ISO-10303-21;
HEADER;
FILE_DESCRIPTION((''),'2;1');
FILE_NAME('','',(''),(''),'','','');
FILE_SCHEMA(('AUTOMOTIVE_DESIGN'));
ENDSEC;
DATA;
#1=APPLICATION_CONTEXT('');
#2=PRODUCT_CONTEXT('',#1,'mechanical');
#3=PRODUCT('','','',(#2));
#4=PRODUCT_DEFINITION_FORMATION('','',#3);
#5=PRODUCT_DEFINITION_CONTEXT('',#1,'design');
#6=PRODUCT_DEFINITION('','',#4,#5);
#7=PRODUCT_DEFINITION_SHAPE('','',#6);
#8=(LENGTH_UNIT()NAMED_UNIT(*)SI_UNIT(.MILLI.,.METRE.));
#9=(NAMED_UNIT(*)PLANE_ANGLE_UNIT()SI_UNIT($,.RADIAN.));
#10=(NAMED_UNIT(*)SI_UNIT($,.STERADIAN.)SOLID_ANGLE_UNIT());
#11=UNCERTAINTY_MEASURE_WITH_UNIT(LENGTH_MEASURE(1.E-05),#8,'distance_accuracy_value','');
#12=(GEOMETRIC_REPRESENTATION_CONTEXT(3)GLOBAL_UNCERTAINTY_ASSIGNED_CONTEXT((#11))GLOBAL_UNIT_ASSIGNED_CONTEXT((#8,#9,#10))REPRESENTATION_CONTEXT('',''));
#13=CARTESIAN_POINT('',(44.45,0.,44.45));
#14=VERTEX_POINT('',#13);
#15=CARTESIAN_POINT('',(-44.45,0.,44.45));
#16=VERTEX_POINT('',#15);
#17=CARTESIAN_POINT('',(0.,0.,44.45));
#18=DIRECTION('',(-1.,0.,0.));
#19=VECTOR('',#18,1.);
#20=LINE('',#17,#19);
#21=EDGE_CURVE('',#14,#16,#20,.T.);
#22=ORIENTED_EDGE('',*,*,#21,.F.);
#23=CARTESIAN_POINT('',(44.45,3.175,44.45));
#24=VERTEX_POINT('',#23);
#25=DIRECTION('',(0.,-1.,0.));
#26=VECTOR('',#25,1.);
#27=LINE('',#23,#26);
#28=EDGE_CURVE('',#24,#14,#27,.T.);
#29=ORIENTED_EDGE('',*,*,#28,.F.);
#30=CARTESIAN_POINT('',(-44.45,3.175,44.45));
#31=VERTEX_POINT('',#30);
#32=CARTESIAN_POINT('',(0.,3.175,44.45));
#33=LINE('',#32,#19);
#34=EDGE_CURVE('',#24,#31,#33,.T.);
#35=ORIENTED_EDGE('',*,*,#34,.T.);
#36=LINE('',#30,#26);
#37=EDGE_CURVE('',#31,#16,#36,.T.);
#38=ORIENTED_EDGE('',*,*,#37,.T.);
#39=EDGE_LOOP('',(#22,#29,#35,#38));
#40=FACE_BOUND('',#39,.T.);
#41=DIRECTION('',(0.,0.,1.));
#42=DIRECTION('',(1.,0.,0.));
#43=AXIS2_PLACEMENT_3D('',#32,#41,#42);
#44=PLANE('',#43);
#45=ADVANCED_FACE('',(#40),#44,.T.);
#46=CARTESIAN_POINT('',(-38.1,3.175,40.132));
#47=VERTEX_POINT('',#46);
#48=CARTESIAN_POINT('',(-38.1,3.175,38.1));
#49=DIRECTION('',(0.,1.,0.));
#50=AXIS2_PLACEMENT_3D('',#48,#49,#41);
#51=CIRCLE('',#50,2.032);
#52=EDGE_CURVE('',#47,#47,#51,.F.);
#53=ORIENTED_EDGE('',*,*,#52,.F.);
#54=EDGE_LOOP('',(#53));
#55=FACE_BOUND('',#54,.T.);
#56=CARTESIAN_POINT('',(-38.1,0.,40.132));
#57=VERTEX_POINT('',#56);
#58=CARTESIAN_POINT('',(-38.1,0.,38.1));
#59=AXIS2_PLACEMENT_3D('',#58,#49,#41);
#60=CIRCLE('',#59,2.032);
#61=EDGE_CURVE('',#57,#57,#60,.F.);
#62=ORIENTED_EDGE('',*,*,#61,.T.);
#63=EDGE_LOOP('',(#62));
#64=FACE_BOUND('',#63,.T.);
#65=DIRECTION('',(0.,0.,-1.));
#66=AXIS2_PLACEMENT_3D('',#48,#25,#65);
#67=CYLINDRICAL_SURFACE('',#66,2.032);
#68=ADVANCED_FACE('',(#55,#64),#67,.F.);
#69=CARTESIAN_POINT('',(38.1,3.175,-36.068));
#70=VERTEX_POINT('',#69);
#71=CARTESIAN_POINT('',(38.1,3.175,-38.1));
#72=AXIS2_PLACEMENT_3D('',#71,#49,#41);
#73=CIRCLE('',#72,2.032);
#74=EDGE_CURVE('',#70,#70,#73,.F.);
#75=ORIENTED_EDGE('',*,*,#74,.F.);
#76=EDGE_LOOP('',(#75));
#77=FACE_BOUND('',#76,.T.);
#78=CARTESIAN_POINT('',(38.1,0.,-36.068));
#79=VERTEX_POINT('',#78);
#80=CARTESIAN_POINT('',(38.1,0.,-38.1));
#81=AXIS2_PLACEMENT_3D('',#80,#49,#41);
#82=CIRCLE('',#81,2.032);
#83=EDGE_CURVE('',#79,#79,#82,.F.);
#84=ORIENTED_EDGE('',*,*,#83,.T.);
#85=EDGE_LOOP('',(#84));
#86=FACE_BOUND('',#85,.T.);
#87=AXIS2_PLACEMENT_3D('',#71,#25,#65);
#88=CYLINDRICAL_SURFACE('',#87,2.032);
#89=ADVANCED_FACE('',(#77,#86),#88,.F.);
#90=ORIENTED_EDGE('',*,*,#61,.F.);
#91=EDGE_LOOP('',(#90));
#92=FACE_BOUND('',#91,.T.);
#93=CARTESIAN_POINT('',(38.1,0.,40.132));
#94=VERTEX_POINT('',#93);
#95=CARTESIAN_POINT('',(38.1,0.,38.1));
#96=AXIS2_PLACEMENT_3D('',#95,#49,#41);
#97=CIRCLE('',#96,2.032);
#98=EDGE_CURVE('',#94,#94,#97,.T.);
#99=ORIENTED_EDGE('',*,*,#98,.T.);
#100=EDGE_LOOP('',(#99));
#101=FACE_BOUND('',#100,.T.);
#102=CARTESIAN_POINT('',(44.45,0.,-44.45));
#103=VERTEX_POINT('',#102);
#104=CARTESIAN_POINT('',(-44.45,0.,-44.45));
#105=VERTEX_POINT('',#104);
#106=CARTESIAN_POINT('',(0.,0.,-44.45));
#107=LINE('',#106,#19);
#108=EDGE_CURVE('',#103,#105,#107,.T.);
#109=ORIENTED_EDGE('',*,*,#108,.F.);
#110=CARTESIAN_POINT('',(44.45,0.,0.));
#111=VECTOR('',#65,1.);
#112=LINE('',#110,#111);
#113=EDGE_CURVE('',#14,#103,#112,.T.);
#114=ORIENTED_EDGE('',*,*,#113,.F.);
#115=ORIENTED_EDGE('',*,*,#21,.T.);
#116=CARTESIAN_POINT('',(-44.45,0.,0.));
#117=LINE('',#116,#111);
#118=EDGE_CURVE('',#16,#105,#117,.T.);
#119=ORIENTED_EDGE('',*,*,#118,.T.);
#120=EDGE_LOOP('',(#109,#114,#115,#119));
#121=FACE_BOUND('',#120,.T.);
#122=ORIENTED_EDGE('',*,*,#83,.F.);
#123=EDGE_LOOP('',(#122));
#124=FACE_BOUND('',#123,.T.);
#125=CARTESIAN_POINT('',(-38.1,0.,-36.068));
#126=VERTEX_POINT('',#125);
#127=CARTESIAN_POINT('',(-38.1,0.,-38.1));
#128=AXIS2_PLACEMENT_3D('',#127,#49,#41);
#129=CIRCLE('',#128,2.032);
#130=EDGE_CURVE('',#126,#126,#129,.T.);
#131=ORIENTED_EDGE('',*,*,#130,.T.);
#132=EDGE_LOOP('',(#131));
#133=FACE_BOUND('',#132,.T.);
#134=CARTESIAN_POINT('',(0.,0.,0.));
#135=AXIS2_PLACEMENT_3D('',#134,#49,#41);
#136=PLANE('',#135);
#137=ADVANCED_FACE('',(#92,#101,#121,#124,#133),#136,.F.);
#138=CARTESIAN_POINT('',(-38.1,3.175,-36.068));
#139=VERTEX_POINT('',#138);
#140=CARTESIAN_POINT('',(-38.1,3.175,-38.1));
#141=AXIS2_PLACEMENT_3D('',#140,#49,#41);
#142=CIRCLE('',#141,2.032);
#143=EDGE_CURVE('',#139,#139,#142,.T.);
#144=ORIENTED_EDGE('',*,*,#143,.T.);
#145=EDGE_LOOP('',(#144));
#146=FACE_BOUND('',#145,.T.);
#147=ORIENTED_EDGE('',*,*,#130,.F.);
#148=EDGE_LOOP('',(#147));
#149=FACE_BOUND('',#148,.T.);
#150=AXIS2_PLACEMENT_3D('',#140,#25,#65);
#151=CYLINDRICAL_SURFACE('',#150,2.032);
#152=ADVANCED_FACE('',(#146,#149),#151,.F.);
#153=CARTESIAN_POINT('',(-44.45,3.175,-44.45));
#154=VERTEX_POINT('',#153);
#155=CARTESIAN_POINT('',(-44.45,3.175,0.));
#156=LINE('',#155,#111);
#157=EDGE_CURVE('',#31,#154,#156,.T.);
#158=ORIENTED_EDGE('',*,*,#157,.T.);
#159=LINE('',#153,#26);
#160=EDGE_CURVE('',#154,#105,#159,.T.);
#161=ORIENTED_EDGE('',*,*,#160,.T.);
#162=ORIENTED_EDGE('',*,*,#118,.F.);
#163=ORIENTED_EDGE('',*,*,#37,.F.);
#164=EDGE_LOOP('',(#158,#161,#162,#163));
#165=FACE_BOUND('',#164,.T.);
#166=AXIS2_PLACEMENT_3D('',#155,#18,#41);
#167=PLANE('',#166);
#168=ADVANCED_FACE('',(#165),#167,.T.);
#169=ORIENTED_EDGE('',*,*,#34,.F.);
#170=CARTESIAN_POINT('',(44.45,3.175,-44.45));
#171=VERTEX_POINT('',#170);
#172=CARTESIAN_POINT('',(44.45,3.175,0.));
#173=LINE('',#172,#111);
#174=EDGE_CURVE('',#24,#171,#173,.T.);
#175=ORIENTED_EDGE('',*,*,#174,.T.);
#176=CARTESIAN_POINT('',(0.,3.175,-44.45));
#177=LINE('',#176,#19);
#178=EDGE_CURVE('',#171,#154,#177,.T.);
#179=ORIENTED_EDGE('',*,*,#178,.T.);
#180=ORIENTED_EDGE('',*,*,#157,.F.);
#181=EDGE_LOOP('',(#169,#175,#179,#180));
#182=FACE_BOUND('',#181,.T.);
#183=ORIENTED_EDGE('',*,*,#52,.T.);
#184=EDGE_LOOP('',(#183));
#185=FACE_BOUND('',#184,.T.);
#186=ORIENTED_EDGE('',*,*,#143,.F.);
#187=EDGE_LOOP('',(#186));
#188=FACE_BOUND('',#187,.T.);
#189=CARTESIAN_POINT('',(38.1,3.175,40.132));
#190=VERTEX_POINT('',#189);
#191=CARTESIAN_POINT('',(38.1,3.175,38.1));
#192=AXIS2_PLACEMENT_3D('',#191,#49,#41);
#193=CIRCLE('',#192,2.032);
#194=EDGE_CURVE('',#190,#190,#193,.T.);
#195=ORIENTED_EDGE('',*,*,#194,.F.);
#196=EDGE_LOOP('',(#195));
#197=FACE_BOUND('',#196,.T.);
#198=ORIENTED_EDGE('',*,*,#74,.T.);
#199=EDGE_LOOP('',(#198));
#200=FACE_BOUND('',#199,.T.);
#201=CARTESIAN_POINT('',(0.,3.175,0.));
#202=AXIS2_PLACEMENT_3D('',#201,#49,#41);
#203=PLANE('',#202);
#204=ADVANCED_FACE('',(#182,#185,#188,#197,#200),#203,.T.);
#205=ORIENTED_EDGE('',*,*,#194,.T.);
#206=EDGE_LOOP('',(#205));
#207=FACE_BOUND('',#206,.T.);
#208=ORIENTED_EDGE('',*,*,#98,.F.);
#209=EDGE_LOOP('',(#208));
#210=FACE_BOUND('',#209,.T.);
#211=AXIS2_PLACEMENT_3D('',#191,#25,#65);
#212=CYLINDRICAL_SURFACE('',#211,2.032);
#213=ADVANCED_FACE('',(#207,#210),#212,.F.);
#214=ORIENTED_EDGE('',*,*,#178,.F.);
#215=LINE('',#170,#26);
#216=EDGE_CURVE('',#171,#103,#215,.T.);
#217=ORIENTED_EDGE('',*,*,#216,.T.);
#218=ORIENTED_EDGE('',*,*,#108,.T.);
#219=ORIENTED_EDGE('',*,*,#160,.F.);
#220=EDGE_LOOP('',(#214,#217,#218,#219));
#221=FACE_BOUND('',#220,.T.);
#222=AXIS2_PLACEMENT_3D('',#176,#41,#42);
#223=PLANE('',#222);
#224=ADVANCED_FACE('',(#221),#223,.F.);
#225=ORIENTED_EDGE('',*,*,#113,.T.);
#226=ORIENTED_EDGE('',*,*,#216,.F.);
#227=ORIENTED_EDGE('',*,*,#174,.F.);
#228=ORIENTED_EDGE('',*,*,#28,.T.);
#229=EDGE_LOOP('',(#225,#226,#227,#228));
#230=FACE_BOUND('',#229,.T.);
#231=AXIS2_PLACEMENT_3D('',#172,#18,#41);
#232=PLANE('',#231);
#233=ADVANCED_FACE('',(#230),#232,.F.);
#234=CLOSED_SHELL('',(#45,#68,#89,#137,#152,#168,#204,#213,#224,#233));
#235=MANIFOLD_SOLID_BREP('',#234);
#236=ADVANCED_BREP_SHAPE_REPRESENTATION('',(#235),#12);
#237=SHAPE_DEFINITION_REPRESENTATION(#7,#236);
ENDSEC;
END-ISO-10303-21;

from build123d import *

# Parameters (mm, degrees)
SKETCH1_W           = 88.9
SKETCH1_H           = 88.9
SKETCH1_R           = 2.032
BOSS_EXTRUDE2_DEPTH = 3.175


with BuildPart() as part:
    # Sketch1 → Boss-Extrude2 (new body)
    with BuildSketch(Plane(origin=(0, 0, 0), x_dir=(1, 0, 0), z_dir=(0, 1, 0))):
        Rectangle(SKETCH1_W, SKETCH1_H)
        with Locations((-38.1, -38.1)):
            Circle(SKETCH1_R, mode=Mode.SUBTRACT)
        with Locations((38.1, 38.1)):
            Circle(SKETCH1_R, mode=Mode.SUBTRACT)
        with Locations((38.1, -38.1)):
            Circle(SKETCH1_R, mode=Mode.SUBTRACT)
        with Locations((-38.1, 38.1)):
            Circle(SKETCH1_R, mode=Mode.SUBTRACT)
    extrude(amount=BOSS_EXTRUDE2_DEPTH)


solid = part.part
